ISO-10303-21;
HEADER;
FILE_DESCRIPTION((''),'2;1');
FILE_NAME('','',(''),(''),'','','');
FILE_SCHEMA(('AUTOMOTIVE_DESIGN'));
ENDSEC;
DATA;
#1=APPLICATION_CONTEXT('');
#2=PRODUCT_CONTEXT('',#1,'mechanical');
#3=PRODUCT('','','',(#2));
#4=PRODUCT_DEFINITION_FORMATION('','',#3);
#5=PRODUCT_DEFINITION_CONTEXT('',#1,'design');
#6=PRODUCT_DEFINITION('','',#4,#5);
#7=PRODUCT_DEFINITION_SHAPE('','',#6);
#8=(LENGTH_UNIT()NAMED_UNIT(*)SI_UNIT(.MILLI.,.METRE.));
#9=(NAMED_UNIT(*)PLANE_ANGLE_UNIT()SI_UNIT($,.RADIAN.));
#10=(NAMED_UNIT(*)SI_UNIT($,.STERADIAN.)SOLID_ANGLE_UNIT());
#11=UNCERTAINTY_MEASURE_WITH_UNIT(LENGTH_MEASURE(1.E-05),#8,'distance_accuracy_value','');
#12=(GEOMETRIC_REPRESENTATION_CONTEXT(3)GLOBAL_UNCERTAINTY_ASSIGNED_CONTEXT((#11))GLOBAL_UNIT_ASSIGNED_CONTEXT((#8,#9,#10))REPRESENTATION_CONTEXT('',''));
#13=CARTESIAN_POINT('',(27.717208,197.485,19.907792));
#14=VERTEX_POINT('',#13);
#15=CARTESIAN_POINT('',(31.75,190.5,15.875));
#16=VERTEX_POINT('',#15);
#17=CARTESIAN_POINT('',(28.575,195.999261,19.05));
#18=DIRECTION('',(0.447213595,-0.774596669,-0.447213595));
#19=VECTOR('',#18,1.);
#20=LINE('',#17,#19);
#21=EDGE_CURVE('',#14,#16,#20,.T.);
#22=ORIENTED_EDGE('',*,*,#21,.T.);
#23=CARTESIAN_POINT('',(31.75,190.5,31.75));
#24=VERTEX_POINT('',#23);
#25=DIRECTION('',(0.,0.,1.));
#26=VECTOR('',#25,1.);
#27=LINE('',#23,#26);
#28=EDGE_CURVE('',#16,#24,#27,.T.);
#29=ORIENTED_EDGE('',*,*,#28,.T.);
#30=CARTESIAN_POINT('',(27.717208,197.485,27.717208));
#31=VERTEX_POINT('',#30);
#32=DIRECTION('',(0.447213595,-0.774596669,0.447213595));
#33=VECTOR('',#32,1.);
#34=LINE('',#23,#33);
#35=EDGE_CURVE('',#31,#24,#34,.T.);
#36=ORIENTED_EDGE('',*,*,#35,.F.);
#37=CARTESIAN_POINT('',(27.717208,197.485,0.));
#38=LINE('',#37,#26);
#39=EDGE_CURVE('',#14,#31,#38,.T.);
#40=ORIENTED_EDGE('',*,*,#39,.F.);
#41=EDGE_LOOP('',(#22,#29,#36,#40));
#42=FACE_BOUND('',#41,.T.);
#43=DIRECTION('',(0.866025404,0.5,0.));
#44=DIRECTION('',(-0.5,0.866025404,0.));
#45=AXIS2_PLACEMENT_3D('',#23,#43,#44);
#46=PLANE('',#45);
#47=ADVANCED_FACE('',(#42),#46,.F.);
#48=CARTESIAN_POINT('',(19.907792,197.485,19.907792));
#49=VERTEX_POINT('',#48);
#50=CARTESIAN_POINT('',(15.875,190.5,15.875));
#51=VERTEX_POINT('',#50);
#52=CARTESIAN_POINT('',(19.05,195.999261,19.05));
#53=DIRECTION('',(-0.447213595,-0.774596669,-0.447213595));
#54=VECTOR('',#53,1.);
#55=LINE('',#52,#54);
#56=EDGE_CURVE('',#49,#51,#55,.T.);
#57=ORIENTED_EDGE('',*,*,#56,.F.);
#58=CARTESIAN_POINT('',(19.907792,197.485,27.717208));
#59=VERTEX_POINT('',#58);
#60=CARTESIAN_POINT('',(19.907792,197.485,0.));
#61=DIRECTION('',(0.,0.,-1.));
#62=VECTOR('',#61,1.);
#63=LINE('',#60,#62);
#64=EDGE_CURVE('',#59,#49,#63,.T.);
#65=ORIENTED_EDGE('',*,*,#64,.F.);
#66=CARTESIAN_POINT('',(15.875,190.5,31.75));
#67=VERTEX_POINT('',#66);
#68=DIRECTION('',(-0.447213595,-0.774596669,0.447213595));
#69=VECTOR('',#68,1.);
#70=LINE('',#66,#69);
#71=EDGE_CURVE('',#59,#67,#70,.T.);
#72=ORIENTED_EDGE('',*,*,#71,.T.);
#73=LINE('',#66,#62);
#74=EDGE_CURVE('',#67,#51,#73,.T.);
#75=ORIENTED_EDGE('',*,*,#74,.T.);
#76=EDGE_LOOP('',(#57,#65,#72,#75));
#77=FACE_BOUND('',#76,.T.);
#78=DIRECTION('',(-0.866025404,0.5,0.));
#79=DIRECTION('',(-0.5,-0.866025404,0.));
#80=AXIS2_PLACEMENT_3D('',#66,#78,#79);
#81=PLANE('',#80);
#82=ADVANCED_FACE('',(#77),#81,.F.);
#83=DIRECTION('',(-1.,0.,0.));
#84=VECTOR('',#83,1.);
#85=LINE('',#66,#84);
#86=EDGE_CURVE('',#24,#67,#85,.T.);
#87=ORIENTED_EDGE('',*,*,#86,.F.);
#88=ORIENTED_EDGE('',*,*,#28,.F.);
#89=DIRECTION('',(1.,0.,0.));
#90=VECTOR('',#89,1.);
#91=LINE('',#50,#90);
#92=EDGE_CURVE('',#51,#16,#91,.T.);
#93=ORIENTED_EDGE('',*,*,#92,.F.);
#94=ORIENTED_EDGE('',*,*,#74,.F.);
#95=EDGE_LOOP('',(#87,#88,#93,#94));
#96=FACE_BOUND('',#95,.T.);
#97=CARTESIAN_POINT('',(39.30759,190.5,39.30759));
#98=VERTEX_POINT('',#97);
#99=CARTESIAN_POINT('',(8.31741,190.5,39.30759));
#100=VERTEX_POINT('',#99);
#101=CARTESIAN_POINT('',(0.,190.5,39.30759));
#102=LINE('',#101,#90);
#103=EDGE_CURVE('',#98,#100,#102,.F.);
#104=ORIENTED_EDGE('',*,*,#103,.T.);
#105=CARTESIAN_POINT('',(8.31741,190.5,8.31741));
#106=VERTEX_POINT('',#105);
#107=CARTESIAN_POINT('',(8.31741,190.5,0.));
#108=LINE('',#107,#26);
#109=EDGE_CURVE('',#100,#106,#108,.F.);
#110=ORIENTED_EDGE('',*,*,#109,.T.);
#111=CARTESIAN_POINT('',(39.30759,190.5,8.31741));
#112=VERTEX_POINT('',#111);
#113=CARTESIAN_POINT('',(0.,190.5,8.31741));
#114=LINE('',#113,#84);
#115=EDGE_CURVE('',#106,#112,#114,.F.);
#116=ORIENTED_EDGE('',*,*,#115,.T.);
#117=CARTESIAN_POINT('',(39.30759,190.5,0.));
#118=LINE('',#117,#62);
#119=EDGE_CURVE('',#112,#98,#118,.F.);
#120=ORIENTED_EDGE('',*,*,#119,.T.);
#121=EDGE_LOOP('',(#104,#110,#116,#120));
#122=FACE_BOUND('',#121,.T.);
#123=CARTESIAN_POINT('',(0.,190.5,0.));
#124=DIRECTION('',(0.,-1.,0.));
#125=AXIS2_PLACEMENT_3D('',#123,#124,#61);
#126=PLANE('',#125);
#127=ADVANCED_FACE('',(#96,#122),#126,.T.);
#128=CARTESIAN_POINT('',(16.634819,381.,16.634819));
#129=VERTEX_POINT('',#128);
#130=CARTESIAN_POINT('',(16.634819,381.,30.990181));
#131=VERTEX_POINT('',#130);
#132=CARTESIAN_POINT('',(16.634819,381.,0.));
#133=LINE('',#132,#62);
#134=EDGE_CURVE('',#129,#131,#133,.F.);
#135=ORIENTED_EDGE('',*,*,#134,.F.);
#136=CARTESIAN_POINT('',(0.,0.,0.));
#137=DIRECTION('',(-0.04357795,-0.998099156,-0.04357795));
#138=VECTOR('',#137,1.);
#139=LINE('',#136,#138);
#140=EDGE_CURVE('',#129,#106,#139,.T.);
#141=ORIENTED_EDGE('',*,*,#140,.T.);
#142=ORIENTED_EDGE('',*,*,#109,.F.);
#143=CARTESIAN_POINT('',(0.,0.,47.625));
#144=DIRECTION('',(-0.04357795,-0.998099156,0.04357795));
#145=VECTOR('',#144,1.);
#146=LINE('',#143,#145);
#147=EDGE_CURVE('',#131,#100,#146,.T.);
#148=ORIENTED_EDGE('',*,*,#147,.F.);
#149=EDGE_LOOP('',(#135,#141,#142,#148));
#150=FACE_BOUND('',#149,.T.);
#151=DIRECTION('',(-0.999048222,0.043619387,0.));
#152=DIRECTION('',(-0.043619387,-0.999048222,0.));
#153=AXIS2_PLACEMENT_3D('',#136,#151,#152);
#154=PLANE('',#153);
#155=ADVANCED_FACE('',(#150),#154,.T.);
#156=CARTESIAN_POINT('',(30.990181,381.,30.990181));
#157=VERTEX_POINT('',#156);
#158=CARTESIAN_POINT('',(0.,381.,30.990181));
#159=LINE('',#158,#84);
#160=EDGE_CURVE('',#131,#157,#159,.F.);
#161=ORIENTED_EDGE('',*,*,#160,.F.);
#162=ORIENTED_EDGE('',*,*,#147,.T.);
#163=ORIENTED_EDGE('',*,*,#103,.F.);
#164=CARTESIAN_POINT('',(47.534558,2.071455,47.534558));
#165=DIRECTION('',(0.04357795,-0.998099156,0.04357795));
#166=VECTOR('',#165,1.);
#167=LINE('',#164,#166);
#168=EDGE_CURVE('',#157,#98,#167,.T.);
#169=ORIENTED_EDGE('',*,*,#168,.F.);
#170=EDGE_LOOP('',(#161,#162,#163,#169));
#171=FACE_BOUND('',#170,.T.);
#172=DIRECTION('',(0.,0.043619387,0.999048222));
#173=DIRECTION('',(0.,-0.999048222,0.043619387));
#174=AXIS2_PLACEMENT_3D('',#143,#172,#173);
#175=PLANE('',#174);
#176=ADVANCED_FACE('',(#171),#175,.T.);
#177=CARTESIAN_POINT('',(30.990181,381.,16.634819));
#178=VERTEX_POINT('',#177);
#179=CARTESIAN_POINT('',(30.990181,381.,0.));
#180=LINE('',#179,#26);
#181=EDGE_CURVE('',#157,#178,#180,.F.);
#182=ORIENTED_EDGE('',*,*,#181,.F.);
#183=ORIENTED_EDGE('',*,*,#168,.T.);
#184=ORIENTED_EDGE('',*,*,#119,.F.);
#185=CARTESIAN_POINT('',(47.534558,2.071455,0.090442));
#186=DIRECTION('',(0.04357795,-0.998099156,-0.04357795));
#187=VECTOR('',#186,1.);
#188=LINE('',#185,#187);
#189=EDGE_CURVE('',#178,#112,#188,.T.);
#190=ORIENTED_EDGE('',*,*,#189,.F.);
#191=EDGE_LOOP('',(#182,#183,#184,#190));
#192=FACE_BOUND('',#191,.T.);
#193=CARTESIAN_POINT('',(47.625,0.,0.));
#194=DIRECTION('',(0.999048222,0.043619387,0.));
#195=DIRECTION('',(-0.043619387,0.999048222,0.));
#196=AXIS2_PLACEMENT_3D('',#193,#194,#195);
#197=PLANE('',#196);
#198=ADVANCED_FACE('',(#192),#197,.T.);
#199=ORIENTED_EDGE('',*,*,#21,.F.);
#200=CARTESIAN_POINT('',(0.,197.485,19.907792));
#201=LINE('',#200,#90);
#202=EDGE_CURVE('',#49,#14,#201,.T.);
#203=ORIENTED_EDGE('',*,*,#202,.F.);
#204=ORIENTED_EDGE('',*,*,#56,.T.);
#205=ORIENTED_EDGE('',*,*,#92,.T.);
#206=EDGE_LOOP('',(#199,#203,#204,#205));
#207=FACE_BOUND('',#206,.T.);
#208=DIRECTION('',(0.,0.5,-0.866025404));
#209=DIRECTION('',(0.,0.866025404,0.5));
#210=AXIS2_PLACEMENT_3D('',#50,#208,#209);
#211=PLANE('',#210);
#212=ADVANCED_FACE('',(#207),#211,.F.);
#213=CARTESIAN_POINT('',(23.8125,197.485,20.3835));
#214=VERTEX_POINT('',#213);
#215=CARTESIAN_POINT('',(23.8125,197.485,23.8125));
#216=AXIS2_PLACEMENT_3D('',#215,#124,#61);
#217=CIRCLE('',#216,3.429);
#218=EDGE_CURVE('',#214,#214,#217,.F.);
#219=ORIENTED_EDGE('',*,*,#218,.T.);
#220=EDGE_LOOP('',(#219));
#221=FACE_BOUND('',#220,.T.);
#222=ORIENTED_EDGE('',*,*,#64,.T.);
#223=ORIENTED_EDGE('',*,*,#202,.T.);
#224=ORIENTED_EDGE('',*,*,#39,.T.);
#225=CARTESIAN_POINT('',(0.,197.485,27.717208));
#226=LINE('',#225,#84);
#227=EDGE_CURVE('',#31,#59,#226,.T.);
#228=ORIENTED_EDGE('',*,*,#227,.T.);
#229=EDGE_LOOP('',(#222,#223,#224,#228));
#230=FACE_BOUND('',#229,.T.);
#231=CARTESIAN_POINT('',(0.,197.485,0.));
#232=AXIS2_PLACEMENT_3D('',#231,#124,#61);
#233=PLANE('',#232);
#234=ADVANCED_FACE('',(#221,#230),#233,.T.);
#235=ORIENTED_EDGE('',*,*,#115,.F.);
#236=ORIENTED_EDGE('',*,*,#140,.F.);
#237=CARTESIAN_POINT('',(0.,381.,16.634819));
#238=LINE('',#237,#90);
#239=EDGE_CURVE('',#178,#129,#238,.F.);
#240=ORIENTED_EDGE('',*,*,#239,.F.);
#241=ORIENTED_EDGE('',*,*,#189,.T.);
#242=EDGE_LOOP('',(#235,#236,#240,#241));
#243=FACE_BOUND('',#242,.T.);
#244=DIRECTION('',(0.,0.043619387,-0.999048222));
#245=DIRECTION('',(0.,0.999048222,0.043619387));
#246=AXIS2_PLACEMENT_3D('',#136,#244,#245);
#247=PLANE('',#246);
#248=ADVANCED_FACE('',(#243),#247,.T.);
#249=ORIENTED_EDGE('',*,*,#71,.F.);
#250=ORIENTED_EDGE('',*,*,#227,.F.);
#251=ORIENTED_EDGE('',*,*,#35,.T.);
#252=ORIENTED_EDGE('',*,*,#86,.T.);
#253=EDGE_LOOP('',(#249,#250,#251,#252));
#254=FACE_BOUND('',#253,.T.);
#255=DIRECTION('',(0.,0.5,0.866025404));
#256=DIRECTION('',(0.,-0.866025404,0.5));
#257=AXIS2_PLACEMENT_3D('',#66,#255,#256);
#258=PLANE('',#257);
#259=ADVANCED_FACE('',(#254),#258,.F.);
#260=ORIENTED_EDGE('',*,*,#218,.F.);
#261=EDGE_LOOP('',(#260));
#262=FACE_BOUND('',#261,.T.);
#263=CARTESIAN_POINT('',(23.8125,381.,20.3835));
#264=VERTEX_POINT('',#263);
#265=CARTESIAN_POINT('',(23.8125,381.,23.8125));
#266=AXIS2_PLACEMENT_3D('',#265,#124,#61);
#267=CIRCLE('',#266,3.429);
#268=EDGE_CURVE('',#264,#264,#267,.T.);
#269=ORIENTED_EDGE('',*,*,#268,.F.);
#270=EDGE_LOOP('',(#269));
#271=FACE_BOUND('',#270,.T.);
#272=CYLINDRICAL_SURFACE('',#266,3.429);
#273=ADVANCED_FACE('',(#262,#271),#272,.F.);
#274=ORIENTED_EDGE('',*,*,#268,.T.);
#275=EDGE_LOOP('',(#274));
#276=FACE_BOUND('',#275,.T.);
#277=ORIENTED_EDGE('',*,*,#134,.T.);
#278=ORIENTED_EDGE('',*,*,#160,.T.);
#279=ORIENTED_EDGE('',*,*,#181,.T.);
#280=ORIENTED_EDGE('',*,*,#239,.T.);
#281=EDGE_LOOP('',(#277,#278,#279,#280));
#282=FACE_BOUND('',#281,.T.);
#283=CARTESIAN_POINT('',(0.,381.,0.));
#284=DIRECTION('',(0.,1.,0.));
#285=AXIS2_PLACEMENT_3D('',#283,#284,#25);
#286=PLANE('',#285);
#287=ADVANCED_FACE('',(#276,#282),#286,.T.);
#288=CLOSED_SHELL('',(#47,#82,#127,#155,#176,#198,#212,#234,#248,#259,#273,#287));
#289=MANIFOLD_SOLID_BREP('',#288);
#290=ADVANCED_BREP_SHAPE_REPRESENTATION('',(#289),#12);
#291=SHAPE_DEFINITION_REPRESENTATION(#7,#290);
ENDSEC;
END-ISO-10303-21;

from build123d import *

# Parameters (mm, degrees)
SKETCH1_W           = 47.625
SKETCH1_H           = 47.625
BOSS_EXTRUDE1_DEPTH = 381
BOSS_EXTRUDE1_TAPER = 2.5
SKETCH2_R           = 3.429
CUT_EXTRUDE1_DEPTH  = 381
SKETCH3_W           = 47.625
SKETCH3_H           = 47.625
CUT_EXTRUDE2_DEPTH  = 190.5
SKETCH4_W           = 15.875
SKETCH4_H           = 15.875
CUT_EXTRUDE3_DEPTH  = 6.985
CUT_EXTRUDE3_DRAFT  = -30


with BuildPart() as part:
    # Sketch1 → Boss-Extrude1 (new body)
    with BuildSketch(Plane(origin=(0, 0, 0), x_dir=(1, 0, 0), z_dir=(0, 1, 0))):
        with Locations((23.8125, -23.8125)):
            Rectangle(SKETCH1_W, SKETCH1_H)
    extrude(amount=BOSS_EXTRUDE1_DEPTH, taper=BOSS_EXTRUDE1_TAPER)

    # Sketch2 → Cut-Extrude1 (cut)
    with BuildSketch(Plane.XZ):
        with Locations(Location((23.8125, 23.8125, 0), (0, 0, 270))):
            Circle(SKETCH2_R)
    extrude(amount=-CUT_EXTRUDE1_DEPTH, mode=Mode.SUBTRACT)

    # Sketch3 → Cut-Extrude2 (cut)
    with BuildSketch(Plane.XZ):
        with Locations((23.8125, 23.8125)):
            Rectangle(SKETCH3_W, SKETCH3_H)
    extrude(amount=-CUT_EXTRUDE2_DEPTH, mode=Mode.SUBTRACT)


with BuildPart() as cut_extrude3_tool:
    # Sketch4 → Cut-Extrude3 (with draft: the straight prism first)
    with BuildSketch(Plane.XZ.offset(-190.5)):
        with Locations((23.8125, 23.8125)):
            Rectangle(SKETCH4_W, SKETCH4_H)
    extrude(amount=-CUT_EXTRUDE3_DEPTH)
    # Cut-Extrude3: the draft: its side faces are tilted about the plane it starts from
    cut_extrude3_sides = [cut_extrude3_tool.faces().sort_by_distance(p)[0] for p in [
        (15.875, 193.9925, 23.8125),
        (23.8125, 193.9925, 15.875),
        (31.75, 193.9925, 23.8125),
        (23.8125, 193.9925, 31.75),
    ]]
    draft(cut_extrude3_sides, Plane.XZ.offset(-190.5), CUT_EXTRUDE3_DRAFT)


with BuildPart() as part_1:
    add(part.part)

    # Cut-Extrude3: cut by cut_extrude3_tool
    add(cut_extrude3_tool.part, mode=Mode.SUBTRACT)


solid = part_1.part
